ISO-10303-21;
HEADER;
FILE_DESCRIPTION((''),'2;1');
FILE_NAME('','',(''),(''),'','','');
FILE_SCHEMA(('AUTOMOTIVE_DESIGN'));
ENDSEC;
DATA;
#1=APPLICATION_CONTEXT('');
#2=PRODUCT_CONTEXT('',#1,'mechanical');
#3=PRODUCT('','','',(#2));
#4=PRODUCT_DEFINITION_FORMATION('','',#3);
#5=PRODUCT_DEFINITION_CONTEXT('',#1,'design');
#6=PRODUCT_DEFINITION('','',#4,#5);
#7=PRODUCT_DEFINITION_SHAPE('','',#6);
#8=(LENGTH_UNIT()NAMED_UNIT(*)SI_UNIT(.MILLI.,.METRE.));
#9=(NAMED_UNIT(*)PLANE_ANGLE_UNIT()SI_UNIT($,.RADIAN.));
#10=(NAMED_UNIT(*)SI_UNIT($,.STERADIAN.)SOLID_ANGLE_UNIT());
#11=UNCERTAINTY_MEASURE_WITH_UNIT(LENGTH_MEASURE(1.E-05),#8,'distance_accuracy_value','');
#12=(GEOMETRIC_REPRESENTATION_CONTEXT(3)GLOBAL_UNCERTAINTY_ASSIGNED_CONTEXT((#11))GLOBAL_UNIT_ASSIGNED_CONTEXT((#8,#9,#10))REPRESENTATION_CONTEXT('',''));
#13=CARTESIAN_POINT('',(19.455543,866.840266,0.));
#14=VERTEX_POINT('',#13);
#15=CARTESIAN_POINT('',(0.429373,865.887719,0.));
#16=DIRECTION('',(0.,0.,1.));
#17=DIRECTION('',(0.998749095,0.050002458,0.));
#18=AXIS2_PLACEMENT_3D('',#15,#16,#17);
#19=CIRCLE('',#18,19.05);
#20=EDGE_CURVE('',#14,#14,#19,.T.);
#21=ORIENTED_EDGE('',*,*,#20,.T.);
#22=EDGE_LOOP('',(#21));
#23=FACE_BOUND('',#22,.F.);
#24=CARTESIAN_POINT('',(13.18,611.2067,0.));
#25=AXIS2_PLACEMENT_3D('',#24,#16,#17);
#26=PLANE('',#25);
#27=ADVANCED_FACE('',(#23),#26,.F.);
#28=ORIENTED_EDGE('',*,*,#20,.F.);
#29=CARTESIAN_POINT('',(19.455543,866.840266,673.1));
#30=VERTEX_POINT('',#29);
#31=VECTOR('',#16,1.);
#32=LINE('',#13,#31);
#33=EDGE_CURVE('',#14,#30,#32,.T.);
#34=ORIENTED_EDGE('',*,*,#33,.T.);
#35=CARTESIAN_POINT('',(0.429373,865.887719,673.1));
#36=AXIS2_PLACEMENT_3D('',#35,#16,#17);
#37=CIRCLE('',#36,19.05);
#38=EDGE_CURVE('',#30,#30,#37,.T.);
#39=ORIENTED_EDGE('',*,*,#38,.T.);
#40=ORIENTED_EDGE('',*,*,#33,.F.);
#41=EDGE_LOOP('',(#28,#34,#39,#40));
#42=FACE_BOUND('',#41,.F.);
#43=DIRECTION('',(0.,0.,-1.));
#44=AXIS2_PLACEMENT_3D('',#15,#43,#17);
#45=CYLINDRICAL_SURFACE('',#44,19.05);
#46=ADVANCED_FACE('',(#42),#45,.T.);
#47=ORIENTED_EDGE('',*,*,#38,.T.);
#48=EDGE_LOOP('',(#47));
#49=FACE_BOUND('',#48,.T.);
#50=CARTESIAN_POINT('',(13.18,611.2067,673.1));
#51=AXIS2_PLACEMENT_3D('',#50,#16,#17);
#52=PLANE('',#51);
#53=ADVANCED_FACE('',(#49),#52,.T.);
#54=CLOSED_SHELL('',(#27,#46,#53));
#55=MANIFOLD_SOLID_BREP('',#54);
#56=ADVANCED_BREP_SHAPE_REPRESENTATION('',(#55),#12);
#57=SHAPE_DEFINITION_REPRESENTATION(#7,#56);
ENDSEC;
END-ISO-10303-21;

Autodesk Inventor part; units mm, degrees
ref_plane "Work Plane1" through (13.18, 611.2067, 0) normal (0, 0, 1) x (0.9987, 0.05, 0)
sketch "Sketch1" plane through (13.18, 611.2067, 0) normal (0, 0, 1) x (0.9987, 0.05, 0)
  circle A0 centre (0, 255) radius 19.05
  point P0 (-43.7171, -609.7837)
  dimension "d0" = 38.1
ref_plane "Work Plane2" through (-139.7, -1066.8, 927.1) normal (0, 0, -1) x (0, 1, 0)
ref_plane "Work Plane3" through (-1119.7006, 442.527, 939.8) normal (0, 0, -1) x (0.2879, 0.9577, 0)
ref_plane "Work Plane4" through (-1119.7006, 442.527, 673.1) normal (0, 0, -1) x (0.2879, 0.9577, 0)
extrude "Extrusion1" add sketch "Sketch1" along normal up to surface (673.1 mm away)
properties part number "PIPE" material "Wood (Birch)"
